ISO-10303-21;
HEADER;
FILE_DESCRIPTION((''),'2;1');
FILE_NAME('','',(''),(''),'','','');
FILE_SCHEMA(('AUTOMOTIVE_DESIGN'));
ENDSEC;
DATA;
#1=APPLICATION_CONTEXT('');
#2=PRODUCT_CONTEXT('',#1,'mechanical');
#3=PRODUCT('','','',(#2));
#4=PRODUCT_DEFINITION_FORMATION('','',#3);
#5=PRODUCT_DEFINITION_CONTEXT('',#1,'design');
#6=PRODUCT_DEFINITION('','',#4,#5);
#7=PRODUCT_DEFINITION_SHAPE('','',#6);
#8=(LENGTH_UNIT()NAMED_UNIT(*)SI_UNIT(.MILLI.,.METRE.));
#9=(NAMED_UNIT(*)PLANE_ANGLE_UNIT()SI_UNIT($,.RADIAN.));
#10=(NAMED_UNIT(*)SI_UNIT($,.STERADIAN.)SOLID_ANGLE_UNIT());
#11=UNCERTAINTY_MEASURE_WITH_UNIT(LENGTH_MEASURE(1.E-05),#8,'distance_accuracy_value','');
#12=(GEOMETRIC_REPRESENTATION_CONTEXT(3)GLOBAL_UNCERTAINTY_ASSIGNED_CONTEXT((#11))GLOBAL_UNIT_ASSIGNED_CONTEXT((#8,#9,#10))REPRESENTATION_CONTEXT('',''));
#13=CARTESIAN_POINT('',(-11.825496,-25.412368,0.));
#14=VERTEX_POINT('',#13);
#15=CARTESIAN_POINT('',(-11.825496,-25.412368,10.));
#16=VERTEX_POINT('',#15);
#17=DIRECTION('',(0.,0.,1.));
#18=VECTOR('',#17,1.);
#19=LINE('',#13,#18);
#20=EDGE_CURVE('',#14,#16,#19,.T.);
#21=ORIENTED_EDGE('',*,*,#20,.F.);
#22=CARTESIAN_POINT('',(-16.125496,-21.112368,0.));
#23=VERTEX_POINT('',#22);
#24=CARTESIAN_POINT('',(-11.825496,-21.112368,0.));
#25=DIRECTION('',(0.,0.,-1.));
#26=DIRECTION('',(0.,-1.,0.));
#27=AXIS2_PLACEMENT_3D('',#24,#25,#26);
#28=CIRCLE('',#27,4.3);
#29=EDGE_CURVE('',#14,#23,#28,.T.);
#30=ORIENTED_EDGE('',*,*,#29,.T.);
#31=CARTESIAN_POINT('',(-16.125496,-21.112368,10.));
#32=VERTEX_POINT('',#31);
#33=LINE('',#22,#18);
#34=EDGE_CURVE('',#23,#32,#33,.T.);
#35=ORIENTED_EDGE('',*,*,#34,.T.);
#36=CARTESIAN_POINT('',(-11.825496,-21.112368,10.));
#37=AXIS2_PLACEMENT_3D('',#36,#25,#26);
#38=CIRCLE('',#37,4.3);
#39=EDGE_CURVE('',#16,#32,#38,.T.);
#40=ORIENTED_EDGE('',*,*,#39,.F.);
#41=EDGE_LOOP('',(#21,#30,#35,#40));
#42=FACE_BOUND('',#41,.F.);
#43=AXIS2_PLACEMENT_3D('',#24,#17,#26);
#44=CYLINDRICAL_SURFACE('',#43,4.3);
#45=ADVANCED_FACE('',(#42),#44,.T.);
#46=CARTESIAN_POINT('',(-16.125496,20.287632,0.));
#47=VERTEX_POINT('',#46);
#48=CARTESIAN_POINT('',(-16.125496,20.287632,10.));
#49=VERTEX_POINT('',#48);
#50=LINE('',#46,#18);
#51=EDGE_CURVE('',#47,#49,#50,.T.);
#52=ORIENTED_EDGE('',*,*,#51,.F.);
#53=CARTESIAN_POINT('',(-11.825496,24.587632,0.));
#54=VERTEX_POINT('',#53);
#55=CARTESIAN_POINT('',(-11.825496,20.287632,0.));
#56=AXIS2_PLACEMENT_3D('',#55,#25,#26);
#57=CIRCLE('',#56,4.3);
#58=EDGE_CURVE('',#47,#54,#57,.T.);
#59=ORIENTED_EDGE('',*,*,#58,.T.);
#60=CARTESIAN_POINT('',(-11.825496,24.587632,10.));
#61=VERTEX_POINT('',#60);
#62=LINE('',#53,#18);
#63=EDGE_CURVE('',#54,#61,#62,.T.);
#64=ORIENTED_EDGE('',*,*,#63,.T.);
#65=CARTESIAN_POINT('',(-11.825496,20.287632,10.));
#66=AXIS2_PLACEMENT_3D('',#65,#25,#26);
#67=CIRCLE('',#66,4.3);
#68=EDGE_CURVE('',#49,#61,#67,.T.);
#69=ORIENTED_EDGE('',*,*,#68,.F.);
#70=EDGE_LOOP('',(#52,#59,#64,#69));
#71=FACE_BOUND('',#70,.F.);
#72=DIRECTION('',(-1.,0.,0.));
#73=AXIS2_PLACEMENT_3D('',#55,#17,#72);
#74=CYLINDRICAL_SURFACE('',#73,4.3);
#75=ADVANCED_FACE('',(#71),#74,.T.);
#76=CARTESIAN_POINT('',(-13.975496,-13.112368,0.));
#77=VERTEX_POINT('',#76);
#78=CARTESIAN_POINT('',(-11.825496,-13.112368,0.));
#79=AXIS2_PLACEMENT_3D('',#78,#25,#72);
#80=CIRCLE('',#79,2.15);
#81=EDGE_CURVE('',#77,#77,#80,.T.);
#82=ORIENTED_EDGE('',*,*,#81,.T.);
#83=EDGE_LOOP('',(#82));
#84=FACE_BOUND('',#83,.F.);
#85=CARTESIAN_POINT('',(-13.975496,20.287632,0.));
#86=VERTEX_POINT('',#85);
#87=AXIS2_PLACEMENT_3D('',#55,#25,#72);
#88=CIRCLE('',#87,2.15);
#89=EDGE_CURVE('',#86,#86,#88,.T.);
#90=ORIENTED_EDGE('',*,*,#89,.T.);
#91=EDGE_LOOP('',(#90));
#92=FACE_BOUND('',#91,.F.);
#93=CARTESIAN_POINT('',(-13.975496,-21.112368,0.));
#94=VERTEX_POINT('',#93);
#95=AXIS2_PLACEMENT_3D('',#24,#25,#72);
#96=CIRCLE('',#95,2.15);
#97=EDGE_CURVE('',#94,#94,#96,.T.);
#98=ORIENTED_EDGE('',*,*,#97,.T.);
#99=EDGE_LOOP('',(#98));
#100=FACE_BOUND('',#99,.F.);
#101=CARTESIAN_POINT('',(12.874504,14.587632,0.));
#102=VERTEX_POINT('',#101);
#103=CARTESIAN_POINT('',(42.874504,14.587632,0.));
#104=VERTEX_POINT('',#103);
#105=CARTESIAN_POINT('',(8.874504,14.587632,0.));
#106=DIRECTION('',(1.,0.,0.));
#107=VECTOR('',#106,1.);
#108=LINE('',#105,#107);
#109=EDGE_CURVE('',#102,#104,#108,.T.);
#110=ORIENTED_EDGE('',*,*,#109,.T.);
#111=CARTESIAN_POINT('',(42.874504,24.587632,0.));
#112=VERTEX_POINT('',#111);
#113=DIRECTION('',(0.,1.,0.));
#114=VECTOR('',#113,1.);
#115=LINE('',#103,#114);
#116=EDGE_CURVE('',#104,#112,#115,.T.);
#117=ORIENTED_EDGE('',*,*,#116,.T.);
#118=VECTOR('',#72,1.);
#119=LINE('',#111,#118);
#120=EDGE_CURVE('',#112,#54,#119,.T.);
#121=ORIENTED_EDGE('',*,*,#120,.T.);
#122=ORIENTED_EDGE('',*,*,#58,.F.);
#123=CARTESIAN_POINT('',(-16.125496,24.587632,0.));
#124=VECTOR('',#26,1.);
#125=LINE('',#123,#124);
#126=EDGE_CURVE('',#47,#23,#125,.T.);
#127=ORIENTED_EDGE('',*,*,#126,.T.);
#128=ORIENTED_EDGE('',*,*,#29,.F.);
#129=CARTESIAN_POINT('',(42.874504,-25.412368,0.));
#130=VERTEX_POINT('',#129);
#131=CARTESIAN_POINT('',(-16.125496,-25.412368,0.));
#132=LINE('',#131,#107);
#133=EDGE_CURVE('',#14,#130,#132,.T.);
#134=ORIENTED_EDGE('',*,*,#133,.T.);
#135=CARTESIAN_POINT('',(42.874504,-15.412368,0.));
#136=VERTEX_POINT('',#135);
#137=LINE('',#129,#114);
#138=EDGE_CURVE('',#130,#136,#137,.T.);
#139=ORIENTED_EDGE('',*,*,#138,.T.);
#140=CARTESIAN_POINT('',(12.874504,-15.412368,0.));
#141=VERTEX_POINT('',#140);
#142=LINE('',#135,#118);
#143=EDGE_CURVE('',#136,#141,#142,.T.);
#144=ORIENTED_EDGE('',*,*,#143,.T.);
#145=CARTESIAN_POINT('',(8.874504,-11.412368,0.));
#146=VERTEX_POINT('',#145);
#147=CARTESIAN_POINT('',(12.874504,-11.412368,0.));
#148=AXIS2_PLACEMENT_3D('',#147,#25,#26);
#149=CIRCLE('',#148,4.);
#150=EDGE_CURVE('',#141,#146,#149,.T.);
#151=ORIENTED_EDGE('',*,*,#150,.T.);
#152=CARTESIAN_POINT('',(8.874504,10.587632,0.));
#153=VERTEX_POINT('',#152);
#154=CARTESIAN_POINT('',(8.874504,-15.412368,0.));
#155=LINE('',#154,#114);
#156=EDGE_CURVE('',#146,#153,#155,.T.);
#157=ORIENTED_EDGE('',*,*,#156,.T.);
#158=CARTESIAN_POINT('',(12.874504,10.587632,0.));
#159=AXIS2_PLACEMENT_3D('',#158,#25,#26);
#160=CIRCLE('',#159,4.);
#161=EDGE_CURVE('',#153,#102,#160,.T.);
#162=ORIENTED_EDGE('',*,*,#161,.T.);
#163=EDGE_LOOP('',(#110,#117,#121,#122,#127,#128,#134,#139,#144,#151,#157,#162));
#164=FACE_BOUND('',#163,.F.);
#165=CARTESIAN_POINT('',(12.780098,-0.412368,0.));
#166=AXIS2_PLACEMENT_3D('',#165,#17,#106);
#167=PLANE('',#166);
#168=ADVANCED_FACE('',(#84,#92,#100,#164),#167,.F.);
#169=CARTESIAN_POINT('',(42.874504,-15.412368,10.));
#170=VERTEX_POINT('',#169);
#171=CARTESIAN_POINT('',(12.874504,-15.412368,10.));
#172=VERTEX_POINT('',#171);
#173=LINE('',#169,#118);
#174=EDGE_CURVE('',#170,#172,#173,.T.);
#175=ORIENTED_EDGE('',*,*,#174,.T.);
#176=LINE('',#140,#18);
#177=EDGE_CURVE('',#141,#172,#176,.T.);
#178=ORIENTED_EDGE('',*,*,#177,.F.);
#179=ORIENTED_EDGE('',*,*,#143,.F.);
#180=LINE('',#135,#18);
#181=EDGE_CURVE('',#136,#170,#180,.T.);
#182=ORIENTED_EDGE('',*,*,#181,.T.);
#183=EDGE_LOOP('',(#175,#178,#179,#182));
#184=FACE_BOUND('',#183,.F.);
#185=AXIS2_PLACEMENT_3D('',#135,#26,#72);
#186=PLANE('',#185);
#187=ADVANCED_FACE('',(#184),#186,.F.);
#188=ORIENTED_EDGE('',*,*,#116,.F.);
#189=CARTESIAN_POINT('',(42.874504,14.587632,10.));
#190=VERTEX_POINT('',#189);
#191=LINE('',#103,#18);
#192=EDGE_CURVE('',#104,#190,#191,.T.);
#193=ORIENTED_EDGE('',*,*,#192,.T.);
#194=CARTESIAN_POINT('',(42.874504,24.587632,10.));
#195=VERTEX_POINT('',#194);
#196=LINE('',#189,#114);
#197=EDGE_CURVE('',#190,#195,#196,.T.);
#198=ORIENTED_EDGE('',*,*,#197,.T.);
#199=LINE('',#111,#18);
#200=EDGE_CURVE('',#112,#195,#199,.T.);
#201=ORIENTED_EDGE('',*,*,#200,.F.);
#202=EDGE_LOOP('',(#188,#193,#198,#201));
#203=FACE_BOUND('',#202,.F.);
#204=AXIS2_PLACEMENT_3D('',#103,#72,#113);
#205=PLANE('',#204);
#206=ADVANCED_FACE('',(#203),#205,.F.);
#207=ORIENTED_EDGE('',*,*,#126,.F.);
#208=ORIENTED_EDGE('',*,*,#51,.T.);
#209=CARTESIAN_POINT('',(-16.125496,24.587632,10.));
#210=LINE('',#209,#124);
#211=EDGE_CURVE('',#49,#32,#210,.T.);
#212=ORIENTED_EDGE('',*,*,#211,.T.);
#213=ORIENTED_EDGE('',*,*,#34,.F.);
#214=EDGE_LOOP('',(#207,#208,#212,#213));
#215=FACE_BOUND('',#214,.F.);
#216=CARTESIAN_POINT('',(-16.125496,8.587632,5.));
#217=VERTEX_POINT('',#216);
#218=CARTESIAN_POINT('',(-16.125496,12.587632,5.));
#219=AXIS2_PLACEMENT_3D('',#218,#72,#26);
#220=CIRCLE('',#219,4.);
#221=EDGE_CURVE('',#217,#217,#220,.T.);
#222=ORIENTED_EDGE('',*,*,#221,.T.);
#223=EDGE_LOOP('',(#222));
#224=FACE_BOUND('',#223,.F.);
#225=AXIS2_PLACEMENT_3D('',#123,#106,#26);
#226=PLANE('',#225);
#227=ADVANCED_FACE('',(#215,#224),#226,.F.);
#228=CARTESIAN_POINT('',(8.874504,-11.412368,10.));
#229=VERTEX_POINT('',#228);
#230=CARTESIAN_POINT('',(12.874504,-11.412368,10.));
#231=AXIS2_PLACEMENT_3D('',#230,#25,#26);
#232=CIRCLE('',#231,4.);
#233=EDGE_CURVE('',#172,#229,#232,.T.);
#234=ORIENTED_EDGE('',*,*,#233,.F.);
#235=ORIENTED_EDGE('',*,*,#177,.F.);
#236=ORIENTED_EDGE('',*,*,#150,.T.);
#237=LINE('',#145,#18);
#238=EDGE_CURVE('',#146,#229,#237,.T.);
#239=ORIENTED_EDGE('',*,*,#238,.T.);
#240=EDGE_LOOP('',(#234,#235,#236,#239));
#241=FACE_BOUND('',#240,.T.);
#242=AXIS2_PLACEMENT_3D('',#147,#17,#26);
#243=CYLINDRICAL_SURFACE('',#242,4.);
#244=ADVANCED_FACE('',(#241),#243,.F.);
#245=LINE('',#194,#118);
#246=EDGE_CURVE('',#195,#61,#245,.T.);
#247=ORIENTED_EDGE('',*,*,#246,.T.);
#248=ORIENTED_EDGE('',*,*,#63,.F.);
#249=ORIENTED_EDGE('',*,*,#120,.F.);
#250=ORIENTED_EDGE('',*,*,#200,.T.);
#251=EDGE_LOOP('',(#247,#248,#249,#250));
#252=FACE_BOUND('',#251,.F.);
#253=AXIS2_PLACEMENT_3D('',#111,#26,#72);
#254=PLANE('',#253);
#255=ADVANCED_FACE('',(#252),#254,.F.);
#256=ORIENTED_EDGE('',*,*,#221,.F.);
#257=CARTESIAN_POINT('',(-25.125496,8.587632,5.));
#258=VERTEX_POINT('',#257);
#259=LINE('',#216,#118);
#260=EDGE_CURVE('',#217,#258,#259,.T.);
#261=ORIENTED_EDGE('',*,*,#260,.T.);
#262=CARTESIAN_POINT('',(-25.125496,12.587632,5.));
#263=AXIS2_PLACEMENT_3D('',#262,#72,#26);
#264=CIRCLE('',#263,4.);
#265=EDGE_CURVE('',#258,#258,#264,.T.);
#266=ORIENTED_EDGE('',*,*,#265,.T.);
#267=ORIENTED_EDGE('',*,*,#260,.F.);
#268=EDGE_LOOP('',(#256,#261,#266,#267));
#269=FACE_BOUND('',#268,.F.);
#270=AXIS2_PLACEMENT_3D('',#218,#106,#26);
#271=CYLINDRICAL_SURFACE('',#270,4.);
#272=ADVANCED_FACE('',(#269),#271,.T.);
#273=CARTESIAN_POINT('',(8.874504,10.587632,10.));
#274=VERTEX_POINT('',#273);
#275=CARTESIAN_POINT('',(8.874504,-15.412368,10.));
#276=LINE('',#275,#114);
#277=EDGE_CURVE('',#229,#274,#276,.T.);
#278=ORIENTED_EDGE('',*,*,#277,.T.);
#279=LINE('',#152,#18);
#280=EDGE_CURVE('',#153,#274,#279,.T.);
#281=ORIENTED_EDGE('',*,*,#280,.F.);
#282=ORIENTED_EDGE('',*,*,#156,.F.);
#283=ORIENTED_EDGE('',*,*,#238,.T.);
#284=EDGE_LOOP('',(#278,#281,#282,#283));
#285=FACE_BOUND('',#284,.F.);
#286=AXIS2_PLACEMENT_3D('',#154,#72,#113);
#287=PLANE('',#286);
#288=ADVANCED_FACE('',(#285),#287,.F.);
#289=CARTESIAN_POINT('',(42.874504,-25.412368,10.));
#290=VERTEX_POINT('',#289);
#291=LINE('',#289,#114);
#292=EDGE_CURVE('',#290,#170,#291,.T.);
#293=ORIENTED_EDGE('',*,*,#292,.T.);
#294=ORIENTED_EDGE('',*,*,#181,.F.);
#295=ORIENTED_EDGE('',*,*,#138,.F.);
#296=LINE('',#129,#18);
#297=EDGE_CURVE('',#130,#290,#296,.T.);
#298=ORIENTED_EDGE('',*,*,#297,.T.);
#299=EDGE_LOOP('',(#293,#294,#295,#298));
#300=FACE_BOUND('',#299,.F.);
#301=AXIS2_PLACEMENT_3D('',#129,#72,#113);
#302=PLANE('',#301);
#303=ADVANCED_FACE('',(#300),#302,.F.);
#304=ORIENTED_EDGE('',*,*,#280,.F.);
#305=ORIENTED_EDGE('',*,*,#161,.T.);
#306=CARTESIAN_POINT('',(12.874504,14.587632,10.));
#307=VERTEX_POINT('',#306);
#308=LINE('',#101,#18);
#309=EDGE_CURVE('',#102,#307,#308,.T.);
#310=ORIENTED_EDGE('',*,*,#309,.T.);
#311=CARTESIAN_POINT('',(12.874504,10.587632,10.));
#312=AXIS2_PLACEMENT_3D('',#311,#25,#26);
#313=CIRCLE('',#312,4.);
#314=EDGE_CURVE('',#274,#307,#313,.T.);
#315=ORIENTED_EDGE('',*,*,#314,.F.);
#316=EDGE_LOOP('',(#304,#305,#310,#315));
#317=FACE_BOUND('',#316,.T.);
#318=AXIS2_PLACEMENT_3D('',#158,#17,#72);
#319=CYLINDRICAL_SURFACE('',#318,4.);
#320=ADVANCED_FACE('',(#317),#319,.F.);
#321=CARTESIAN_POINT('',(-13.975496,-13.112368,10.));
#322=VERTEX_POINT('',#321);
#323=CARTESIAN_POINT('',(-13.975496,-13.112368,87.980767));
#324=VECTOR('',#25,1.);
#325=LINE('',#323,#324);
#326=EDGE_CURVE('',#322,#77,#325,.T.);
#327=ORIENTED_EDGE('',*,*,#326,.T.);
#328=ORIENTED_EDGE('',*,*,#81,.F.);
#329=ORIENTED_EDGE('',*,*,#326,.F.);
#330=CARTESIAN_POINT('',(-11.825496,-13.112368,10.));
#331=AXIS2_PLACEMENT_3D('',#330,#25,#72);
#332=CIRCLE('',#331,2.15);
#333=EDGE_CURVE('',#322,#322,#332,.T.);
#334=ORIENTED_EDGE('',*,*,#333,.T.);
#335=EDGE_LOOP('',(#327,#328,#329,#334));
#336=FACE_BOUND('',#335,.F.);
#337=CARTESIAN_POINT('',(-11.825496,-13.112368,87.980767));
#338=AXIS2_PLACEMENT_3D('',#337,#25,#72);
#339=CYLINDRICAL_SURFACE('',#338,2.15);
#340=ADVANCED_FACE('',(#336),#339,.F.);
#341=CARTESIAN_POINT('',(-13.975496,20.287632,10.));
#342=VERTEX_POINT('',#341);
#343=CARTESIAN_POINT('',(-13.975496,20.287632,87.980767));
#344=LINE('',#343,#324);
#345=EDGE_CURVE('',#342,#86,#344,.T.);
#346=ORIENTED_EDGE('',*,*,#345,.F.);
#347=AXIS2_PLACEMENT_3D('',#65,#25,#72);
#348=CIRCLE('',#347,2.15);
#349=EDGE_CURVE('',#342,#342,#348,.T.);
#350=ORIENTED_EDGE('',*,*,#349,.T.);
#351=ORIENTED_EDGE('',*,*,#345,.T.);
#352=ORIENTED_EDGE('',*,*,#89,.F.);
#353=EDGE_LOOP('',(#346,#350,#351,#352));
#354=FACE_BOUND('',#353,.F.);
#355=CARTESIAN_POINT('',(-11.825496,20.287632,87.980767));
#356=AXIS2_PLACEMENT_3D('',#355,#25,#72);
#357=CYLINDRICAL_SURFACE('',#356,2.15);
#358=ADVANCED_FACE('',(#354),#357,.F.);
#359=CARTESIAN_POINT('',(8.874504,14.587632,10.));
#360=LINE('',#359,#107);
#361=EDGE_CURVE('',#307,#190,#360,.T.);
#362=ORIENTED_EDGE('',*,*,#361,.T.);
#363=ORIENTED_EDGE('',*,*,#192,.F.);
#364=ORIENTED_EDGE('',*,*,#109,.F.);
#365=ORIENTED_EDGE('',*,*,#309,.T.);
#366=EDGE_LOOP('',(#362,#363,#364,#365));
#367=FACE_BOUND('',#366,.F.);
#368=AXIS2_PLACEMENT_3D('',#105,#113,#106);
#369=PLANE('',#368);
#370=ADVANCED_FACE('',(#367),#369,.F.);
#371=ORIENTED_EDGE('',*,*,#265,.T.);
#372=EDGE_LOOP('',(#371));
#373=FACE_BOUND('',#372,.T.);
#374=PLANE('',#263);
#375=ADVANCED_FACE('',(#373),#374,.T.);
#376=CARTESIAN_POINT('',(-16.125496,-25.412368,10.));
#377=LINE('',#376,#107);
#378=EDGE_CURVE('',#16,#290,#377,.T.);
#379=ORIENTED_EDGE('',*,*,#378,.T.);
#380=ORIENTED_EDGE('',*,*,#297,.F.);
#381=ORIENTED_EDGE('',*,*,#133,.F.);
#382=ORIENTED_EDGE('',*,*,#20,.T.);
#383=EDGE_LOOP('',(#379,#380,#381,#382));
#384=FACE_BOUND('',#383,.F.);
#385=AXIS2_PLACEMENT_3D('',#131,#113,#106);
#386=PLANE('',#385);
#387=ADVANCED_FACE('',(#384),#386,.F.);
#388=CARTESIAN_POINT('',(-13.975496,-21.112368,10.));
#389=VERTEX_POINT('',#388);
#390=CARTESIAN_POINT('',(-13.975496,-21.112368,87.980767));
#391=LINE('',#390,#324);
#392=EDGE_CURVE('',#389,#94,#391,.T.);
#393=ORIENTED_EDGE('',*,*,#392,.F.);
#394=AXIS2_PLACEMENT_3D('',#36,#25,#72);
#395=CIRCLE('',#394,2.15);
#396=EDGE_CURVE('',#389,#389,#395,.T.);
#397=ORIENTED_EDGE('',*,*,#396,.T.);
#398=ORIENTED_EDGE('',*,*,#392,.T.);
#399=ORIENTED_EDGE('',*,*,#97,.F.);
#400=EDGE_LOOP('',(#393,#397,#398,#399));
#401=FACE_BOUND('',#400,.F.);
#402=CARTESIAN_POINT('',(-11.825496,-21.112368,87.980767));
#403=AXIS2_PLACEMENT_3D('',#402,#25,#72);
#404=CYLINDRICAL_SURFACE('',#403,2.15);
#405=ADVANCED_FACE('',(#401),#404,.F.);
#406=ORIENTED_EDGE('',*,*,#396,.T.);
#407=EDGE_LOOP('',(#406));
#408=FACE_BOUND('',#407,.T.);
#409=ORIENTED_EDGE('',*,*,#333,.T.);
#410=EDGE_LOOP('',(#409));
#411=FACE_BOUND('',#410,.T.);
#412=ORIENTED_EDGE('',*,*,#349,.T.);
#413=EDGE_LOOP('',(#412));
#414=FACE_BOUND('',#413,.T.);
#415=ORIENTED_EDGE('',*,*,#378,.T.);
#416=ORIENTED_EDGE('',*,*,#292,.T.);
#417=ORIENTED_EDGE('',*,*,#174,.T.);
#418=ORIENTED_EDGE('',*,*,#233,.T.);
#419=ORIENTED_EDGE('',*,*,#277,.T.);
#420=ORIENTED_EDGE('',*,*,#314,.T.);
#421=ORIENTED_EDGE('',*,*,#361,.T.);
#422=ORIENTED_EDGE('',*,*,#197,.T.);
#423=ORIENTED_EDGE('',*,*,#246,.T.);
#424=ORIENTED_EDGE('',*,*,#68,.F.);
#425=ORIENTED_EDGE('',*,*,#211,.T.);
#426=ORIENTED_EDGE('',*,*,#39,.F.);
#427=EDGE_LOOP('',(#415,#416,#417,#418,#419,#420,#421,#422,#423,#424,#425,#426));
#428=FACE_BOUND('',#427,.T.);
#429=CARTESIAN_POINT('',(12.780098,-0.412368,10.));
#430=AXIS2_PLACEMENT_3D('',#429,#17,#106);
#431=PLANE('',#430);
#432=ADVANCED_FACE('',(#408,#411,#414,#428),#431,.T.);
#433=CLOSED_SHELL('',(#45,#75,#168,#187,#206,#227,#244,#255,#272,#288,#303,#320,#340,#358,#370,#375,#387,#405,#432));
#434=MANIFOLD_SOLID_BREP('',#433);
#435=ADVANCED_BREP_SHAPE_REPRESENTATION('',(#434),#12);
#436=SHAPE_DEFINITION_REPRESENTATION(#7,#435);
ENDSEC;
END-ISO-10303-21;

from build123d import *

# Parameters (mm, degrees)
F1_DEPTH = 10
F2_R     = 4
F3_R     = 4.3
F5_D     = 4.3
F6_R     = 4
F7_DEPTH = 9


with BuildPart() as f1:
    # F0 (on Top) → F1 (new body)
    with BuildSketch(Plane.XY):
        Polygon((42.874504, 24.587632), (-16.125496, 24.587632), (-16.125496, -25.412368), (42.874504, -25.412368), (42.874504, -15.412368), (8.874504, -15.412368), (8.874504, 14.587632), (42.874504, 14.587632), align=None)
    extrude(amount=F1_DEPTH)

    # F2
    f2_edges = [f1.edges().sort_by_distance(p)[0] for p in [
        (8.874504, 14.587632, 5),
        (8.874504, -15.412368, 5),
    ]]
    fillet(f2_edges, radius=F2_R)

    # F3
    f3_edges = [f1.edges().sort_by_distance(p)[0] for p in [
        (-16.125496, 24.587632, 5),
        (-16.125496, -25.412368, 5),
    ]]
    fillet(f3_edges, radius=F3_R)

    # F5 (through all)
    with Locations(Plane.XY.offset(10)):
        with Locations((-11.825496, 20.287632), (-11.825496, -13.112368), (-11.825496, -21.112368)):
            Hole(F5_D / 2)

    # F6 (on face) → F7 (join)
    with BuildSketch(Plane(origin=(-16.125496, 0, 0), x_dir=(0, -1, 0), z_dir=(-1, 0, 0))):
        with Locations((-12.587632, 5)):
            Circle(F6_R)
    extrude(amount=F7_DEPTH)


solid = f1.part
